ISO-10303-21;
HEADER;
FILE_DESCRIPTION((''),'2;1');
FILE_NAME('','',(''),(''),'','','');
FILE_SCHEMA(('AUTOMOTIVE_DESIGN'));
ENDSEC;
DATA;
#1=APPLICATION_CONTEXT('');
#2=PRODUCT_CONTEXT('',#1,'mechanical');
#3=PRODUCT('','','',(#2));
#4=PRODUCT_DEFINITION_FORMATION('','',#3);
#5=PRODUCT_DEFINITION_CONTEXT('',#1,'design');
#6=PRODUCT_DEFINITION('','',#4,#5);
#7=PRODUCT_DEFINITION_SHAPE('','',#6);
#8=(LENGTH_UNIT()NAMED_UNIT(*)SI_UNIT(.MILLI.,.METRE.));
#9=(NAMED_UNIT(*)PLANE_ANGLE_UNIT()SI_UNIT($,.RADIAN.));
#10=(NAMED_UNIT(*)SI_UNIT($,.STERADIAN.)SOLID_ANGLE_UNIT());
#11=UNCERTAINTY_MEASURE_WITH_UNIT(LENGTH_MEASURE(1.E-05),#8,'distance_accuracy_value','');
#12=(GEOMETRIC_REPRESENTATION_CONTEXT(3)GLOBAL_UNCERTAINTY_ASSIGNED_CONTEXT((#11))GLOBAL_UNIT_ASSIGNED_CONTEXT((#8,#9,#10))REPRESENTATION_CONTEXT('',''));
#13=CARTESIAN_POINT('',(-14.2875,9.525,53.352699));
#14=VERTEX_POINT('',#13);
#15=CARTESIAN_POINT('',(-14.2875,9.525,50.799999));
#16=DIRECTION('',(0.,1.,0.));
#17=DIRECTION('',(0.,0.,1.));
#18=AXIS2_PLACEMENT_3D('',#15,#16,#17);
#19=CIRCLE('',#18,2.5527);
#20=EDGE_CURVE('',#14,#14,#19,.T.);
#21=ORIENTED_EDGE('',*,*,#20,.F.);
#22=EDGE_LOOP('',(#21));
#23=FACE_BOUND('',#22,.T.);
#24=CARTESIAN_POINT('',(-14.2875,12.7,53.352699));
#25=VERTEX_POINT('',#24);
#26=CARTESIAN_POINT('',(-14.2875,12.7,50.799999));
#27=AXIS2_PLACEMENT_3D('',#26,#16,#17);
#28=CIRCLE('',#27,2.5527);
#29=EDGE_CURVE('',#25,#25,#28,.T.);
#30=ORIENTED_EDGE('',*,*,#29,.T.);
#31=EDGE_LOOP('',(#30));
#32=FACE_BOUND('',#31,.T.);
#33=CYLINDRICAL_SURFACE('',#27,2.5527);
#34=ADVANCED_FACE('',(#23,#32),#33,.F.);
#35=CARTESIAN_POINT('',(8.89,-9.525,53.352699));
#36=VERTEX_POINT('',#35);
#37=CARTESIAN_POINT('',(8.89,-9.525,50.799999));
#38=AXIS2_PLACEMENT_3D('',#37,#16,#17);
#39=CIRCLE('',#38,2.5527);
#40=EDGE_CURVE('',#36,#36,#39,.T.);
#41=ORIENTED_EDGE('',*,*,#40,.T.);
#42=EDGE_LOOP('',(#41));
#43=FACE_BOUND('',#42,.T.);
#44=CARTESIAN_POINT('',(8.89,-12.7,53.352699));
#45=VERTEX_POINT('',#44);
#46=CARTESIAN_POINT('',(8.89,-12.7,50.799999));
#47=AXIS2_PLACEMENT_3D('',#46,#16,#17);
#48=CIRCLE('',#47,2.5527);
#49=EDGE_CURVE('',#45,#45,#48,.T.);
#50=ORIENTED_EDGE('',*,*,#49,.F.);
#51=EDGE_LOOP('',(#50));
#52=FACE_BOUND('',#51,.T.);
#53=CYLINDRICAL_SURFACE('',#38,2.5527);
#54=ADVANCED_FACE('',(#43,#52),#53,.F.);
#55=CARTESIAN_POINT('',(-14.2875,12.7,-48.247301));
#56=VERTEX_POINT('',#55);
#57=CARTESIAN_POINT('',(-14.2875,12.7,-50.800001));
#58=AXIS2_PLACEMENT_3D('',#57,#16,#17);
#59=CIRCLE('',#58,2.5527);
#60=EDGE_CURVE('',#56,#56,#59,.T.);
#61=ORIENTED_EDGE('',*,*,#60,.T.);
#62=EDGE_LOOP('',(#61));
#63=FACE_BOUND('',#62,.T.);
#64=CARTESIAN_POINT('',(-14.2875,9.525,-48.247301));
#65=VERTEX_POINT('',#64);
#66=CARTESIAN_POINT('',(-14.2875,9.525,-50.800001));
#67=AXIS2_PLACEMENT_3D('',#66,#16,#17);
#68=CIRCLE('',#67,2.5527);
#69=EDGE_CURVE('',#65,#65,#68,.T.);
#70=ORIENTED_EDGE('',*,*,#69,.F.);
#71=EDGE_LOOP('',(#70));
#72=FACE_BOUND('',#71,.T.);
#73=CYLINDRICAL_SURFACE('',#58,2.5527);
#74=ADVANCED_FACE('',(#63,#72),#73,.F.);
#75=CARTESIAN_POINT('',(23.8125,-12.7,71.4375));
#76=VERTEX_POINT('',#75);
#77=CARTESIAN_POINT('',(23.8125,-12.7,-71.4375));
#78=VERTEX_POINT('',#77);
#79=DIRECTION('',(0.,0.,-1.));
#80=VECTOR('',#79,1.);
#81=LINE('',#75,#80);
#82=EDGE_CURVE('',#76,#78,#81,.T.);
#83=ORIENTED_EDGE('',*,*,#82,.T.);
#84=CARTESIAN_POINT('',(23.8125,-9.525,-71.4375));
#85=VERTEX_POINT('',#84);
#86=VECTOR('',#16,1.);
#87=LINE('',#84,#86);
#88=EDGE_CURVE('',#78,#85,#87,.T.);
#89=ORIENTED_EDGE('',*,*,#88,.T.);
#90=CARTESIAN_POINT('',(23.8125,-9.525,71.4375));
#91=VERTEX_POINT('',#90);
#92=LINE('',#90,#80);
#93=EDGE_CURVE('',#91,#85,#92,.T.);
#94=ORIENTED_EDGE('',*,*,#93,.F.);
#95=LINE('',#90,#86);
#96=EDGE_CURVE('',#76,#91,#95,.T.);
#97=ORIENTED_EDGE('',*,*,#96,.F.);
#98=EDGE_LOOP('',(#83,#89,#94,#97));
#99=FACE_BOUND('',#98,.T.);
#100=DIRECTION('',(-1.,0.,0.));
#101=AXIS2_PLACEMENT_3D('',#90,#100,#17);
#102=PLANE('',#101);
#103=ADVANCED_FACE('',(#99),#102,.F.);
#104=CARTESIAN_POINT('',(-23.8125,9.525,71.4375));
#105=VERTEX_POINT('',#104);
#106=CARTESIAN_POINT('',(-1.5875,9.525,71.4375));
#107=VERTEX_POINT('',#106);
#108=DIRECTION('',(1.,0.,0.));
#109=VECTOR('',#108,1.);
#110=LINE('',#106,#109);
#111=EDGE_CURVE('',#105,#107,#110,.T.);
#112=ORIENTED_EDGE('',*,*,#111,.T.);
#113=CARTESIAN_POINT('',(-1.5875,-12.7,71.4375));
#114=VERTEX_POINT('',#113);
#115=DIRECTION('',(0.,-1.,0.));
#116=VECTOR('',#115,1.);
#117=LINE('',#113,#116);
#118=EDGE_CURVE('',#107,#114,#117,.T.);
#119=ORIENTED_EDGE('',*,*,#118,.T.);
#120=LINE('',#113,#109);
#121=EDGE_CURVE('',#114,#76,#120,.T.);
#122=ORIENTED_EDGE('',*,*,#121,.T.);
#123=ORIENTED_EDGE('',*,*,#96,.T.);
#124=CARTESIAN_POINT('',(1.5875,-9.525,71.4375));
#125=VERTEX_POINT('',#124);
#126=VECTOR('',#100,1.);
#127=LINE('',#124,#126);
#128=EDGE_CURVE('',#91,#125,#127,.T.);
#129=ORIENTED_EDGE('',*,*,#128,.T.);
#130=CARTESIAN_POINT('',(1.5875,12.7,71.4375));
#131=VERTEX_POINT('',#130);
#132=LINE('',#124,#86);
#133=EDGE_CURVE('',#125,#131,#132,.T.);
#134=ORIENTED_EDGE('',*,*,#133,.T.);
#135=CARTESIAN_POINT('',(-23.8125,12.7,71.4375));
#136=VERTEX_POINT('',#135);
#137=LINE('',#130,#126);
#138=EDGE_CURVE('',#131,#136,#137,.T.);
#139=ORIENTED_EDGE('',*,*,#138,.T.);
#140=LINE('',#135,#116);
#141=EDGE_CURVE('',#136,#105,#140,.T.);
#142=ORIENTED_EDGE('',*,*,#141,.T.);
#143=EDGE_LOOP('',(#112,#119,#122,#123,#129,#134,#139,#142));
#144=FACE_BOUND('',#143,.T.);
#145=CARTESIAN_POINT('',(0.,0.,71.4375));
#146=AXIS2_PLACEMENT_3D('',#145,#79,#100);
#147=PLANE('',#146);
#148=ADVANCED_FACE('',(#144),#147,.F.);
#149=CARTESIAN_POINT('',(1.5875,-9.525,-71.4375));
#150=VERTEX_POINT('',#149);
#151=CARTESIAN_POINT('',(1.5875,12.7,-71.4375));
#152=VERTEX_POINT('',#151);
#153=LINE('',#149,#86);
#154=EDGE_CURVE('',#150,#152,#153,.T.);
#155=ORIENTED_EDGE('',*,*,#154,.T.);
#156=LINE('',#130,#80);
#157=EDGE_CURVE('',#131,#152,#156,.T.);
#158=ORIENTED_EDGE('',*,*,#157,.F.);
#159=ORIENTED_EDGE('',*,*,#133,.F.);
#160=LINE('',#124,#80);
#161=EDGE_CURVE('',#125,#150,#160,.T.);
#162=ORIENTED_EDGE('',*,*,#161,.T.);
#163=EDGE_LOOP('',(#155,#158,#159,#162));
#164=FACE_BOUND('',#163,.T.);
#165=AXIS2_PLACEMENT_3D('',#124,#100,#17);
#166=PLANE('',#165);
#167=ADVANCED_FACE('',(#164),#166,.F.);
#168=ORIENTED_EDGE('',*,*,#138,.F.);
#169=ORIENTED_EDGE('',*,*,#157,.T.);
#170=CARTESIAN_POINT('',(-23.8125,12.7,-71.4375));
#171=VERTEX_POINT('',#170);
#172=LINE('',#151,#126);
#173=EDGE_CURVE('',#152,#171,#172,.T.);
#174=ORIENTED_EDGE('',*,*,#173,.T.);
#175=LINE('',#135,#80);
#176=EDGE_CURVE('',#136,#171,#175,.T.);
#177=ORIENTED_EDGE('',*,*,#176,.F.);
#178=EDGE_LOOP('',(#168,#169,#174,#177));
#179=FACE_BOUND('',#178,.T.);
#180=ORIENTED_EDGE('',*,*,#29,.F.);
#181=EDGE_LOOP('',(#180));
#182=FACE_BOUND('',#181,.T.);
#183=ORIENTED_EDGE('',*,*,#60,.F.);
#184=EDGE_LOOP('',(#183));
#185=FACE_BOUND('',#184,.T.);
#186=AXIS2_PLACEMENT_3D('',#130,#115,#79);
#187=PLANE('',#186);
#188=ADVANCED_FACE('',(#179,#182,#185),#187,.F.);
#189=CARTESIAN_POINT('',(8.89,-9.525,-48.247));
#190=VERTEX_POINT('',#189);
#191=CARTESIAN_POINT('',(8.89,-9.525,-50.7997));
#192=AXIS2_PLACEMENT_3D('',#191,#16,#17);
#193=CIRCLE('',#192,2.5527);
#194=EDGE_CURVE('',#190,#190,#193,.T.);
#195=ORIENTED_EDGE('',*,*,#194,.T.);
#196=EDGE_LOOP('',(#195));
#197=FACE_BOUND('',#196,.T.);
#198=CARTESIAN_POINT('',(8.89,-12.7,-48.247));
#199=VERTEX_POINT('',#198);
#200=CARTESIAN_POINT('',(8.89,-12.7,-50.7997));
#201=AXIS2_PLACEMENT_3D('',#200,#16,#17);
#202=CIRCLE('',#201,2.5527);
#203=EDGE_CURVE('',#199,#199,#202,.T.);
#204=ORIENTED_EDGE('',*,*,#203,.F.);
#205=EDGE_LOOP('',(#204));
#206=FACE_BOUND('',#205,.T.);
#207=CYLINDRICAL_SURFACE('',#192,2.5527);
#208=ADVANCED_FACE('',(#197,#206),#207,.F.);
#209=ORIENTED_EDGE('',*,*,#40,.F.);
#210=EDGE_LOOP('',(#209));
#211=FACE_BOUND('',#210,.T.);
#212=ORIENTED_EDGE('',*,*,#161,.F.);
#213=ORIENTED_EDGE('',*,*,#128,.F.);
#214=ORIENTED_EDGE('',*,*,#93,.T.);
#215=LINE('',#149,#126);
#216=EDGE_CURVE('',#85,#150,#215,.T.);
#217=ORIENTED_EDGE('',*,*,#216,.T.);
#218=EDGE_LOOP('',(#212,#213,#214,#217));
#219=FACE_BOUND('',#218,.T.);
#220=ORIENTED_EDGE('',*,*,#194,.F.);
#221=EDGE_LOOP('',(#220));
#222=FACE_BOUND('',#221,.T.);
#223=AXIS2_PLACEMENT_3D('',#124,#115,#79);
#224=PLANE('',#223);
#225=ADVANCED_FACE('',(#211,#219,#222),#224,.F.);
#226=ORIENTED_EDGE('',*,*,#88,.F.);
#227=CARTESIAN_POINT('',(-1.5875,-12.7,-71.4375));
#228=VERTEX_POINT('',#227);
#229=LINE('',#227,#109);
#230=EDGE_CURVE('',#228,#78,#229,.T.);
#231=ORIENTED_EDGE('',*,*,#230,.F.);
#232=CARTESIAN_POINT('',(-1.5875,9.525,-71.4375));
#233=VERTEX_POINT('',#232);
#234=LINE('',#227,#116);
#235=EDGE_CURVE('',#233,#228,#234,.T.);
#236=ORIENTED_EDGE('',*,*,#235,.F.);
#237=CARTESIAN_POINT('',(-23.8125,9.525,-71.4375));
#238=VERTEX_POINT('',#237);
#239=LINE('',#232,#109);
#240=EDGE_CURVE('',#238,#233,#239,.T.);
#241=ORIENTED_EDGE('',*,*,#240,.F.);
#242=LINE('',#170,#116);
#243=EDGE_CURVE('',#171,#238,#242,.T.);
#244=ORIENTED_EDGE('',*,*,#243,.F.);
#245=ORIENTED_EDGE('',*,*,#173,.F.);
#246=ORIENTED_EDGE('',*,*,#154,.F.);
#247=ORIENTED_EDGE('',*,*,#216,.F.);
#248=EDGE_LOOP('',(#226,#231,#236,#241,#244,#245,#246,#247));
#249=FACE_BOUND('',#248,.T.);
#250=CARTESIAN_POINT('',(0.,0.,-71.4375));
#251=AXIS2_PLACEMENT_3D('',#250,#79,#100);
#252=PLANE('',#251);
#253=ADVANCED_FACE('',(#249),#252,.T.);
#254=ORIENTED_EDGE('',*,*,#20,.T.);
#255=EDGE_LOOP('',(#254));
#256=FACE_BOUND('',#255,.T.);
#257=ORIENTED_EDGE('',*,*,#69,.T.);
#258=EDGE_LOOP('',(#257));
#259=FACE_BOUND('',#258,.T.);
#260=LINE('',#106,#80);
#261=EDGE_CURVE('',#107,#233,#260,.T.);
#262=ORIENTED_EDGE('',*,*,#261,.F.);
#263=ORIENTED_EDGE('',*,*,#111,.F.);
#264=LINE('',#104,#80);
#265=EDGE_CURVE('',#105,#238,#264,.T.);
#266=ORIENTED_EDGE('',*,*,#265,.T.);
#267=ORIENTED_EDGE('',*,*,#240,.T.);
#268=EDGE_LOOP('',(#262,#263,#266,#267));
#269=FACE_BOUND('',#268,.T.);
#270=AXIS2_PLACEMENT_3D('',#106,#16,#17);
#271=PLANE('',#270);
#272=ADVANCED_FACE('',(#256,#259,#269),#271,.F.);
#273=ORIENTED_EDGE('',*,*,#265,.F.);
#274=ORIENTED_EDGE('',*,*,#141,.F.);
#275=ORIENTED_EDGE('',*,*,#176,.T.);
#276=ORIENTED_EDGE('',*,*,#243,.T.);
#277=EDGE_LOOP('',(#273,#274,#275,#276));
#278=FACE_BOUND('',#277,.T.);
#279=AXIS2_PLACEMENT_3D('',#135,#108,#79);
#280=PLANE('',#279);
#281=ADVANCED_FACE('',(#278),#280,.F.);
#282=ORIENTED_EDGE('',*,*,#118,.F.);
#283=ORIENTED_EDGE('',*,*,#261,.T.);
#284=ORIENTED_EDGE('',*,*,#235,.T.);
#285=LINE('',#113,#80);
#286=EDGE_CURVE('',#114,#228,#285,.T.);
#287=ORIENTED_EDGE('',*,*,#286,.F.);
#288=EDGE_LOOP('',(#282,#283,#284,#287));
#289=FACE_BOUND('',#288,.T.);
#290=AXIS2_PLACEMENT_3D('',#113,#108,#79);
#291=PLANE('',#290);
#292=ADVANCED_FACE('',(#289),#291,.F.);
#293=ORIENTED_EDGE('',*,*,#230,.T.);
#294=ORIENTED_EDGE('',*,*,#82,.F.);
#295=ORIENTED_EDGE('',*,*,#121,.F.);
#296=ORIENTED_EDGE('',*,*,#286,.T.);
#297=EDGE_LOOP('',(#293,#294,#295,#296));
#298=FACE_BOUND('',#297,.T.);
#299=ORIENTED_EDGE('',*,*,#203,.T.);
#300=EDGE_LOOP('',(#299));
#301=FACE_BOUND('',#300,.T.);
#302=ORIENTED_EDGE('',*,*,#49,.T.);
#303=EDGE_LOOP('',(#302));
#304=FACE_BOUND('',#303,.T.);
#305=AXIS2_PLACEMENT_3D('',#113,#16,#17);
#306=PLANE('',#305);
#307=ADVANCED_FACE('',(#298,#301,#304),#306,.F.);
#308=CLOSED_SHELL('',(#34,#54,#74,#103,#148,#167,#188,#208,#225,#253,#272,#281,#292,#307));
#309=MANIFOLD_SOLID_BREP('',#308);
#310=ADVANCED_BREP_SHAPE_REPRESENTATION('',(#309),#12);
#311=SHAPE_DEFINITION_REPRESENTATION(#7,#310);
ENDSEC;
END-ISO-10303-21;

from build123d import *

# Parameters (mm, degrees)
BOSS_EXTRUDE1_DEPTH      = 71.4375
BOSS_EXTRUDE1_DEPTH_BACK = 71.4375
F_10_CLEARANCE_HOLE1_D   = 5.1054
F_10_CLEARANCE_HOLE2_D   = 5.1054


with BuildPart() as part:
    # Sketch3 → Boss-Extrude1 (new, two sides: drawn at the far end of the back side and taken through both)
    with BuildSketch(Plane.XY.offset(-BOSS_EXTRUDE1_DEPTH_BACK)):
        Polygon((23.8125, -9.525), (23.8125, -12.7), (-1.5875, -12.7), (-1.5875, 9.525), (-23.8125, 9.525), (-23.8125, 12.7), (1.5875, 12.7), (1.5875, -9.525), align=None)
    extrude(amount=BOSS_EXTRUDE1_DEPTH + BOSS_EXTRUDE1_DEPTH_BACK)

    # #10 Clearance Hole1 (through all)
    with Locations(Plane(origin=(0, 12.7, 0), x_dir=(1, 0, 0), z_dir=(0, 1, 0))):
        with Locations((-14.2875, -50.799999492), (-14.2875, 50.800000508)):
            Hole(F_10_CLEARANCE_HOLE1_D / 2)

    # #10 Clearance Hole2 (through all)
    with Locations(Plane(origin=(0, -9.525, 0), x_dir=(1, 0, 0), z_dir=(0, 1, 0))):
        with Locations((8.89, -50.799999492), (8.89, 50.799700006)):
            Hole(F_10_CLEARANCE_HOLE2_D / 2)


solid = part.part
